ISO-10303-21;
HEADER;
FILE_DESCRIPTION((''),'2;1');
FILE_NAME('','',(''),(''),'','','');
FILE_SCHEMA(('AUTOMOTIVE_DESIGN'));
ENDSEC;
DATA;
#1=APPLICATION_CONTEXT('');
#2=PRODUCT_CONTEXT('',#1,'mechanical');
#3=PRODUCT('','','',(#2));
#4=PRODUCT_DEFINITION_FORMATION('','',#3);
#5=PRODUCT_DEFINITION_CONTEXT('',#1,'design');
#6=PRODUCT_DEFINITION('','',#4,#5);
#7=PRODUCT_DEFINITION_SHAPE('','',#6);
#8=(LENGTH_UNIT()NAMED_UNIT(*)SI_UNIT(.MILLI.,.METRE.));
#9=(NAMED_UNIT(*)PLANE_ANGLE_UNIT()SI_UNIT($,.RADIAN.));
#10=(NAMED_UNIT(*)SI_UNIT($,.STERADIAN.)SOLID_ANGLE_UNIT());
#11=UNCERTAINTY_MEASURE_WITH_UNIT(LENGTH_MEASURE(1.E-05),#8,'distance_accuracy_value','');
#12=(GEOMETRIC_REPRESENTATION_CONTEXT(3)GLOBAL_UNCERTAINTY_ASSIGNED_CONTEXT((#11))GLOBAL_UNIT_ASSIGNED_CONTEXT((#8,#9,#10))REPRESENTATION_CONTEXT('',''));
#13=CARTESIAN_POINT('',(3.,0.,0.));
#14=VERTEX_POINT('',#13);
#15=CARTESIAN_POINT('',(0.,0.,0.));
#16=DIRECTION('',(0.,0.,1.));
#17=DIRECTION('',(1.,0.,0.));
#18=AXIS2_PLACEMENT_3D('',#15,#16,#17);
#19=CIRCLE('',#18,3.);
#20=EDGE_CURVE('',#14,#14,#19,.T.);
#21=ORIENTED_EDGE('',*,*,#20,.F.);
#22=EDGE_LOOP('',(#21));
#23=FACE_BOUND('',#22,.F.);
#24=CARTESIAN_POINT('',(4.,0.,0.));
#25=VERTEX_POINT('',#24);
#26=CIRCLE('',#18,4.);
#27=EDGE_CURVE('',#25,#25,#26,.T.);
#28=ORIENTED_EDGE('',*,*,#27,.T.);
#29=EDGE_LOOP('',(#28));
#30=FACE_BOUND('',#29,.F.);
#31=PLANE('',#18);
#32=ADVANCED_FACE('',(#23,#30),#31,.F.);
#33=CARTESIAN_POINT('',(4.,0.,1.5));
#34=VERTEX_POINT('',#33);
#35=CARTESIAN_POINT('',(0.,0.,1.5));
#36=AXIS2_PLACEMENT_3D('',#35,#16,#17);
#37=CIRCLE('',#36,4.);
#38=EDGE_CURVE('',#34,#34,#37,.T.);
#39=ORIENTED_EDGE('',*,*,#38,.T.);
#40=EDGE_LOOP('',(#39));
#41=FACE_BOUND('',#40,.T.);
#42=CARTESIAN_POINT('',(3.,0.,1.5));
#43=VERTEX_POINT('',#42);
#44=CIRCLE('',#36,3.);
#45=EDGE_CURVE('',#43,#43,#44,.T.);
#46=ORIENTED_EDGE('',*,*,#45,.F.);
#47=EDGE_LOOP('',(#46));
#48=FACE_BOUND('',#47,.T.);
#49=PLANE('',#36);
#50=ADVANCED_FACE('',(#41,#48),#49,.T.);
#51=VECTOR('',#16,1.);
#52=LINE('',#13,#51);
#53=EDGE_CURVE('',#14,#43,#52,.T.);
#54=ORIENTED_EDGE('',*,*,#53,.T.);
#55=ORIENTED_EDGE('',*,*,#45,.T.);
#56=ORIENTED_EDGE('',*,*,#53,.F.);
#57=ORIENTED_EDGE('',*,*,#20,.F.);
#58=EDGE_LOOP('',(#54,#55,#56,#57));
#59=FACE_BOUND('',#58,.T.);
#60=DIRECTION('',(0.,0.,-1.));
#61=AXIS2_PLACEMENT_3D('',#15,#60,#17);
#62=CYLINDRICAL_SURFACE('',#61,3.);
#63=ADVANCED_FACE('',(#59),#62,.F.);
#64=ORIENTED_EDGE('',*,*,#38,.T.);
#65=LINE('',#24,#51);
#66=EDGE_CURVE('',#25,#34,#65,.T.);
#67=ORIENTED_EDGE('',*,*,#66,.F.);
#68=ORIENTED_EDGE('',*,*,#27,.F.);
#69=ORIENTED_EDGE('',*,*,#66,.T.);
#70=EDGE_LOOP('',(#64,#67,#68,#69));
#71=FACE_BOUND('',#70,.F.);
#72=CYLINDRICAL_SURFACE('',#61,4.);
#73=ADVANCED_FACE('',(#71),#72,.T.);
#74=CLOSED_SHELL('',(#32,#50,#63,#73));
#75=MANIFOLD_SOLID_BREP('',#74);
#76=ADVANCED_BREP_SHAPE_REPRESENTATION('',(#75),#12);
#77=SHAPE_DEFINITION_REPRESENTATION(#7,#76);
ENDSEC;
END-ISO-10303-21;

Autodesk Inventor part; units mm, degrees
ref_plane "YZ Plane" through (0, 0, 0) normal (1, 0, 0) x (0, 1, 0)
ref_plane "XZ Plane" through (0, 0, 0) normal (0, 1, 0) x (-1, 0, 0)
ref_plane "XY Plane" through (0, 0, 0) normal (0, 0, 1) x (1, 0, 0)
sketch "スケッチ1" plane through (0, 0, 0) normal (0, 0, 1) x (1, 0, 0)
  circle A0 centre (0, 0) radius 3
  circle A1 centre (0, 0) radius 4
  dimension "d0" = 6
  dimension "d1" = 8
extrude "押し出し1" add sketch "スケッチ1" along normal blind 1.5
properties part number "オイレスw1.5f6-8n" material "アセタール樹脂、黒"
